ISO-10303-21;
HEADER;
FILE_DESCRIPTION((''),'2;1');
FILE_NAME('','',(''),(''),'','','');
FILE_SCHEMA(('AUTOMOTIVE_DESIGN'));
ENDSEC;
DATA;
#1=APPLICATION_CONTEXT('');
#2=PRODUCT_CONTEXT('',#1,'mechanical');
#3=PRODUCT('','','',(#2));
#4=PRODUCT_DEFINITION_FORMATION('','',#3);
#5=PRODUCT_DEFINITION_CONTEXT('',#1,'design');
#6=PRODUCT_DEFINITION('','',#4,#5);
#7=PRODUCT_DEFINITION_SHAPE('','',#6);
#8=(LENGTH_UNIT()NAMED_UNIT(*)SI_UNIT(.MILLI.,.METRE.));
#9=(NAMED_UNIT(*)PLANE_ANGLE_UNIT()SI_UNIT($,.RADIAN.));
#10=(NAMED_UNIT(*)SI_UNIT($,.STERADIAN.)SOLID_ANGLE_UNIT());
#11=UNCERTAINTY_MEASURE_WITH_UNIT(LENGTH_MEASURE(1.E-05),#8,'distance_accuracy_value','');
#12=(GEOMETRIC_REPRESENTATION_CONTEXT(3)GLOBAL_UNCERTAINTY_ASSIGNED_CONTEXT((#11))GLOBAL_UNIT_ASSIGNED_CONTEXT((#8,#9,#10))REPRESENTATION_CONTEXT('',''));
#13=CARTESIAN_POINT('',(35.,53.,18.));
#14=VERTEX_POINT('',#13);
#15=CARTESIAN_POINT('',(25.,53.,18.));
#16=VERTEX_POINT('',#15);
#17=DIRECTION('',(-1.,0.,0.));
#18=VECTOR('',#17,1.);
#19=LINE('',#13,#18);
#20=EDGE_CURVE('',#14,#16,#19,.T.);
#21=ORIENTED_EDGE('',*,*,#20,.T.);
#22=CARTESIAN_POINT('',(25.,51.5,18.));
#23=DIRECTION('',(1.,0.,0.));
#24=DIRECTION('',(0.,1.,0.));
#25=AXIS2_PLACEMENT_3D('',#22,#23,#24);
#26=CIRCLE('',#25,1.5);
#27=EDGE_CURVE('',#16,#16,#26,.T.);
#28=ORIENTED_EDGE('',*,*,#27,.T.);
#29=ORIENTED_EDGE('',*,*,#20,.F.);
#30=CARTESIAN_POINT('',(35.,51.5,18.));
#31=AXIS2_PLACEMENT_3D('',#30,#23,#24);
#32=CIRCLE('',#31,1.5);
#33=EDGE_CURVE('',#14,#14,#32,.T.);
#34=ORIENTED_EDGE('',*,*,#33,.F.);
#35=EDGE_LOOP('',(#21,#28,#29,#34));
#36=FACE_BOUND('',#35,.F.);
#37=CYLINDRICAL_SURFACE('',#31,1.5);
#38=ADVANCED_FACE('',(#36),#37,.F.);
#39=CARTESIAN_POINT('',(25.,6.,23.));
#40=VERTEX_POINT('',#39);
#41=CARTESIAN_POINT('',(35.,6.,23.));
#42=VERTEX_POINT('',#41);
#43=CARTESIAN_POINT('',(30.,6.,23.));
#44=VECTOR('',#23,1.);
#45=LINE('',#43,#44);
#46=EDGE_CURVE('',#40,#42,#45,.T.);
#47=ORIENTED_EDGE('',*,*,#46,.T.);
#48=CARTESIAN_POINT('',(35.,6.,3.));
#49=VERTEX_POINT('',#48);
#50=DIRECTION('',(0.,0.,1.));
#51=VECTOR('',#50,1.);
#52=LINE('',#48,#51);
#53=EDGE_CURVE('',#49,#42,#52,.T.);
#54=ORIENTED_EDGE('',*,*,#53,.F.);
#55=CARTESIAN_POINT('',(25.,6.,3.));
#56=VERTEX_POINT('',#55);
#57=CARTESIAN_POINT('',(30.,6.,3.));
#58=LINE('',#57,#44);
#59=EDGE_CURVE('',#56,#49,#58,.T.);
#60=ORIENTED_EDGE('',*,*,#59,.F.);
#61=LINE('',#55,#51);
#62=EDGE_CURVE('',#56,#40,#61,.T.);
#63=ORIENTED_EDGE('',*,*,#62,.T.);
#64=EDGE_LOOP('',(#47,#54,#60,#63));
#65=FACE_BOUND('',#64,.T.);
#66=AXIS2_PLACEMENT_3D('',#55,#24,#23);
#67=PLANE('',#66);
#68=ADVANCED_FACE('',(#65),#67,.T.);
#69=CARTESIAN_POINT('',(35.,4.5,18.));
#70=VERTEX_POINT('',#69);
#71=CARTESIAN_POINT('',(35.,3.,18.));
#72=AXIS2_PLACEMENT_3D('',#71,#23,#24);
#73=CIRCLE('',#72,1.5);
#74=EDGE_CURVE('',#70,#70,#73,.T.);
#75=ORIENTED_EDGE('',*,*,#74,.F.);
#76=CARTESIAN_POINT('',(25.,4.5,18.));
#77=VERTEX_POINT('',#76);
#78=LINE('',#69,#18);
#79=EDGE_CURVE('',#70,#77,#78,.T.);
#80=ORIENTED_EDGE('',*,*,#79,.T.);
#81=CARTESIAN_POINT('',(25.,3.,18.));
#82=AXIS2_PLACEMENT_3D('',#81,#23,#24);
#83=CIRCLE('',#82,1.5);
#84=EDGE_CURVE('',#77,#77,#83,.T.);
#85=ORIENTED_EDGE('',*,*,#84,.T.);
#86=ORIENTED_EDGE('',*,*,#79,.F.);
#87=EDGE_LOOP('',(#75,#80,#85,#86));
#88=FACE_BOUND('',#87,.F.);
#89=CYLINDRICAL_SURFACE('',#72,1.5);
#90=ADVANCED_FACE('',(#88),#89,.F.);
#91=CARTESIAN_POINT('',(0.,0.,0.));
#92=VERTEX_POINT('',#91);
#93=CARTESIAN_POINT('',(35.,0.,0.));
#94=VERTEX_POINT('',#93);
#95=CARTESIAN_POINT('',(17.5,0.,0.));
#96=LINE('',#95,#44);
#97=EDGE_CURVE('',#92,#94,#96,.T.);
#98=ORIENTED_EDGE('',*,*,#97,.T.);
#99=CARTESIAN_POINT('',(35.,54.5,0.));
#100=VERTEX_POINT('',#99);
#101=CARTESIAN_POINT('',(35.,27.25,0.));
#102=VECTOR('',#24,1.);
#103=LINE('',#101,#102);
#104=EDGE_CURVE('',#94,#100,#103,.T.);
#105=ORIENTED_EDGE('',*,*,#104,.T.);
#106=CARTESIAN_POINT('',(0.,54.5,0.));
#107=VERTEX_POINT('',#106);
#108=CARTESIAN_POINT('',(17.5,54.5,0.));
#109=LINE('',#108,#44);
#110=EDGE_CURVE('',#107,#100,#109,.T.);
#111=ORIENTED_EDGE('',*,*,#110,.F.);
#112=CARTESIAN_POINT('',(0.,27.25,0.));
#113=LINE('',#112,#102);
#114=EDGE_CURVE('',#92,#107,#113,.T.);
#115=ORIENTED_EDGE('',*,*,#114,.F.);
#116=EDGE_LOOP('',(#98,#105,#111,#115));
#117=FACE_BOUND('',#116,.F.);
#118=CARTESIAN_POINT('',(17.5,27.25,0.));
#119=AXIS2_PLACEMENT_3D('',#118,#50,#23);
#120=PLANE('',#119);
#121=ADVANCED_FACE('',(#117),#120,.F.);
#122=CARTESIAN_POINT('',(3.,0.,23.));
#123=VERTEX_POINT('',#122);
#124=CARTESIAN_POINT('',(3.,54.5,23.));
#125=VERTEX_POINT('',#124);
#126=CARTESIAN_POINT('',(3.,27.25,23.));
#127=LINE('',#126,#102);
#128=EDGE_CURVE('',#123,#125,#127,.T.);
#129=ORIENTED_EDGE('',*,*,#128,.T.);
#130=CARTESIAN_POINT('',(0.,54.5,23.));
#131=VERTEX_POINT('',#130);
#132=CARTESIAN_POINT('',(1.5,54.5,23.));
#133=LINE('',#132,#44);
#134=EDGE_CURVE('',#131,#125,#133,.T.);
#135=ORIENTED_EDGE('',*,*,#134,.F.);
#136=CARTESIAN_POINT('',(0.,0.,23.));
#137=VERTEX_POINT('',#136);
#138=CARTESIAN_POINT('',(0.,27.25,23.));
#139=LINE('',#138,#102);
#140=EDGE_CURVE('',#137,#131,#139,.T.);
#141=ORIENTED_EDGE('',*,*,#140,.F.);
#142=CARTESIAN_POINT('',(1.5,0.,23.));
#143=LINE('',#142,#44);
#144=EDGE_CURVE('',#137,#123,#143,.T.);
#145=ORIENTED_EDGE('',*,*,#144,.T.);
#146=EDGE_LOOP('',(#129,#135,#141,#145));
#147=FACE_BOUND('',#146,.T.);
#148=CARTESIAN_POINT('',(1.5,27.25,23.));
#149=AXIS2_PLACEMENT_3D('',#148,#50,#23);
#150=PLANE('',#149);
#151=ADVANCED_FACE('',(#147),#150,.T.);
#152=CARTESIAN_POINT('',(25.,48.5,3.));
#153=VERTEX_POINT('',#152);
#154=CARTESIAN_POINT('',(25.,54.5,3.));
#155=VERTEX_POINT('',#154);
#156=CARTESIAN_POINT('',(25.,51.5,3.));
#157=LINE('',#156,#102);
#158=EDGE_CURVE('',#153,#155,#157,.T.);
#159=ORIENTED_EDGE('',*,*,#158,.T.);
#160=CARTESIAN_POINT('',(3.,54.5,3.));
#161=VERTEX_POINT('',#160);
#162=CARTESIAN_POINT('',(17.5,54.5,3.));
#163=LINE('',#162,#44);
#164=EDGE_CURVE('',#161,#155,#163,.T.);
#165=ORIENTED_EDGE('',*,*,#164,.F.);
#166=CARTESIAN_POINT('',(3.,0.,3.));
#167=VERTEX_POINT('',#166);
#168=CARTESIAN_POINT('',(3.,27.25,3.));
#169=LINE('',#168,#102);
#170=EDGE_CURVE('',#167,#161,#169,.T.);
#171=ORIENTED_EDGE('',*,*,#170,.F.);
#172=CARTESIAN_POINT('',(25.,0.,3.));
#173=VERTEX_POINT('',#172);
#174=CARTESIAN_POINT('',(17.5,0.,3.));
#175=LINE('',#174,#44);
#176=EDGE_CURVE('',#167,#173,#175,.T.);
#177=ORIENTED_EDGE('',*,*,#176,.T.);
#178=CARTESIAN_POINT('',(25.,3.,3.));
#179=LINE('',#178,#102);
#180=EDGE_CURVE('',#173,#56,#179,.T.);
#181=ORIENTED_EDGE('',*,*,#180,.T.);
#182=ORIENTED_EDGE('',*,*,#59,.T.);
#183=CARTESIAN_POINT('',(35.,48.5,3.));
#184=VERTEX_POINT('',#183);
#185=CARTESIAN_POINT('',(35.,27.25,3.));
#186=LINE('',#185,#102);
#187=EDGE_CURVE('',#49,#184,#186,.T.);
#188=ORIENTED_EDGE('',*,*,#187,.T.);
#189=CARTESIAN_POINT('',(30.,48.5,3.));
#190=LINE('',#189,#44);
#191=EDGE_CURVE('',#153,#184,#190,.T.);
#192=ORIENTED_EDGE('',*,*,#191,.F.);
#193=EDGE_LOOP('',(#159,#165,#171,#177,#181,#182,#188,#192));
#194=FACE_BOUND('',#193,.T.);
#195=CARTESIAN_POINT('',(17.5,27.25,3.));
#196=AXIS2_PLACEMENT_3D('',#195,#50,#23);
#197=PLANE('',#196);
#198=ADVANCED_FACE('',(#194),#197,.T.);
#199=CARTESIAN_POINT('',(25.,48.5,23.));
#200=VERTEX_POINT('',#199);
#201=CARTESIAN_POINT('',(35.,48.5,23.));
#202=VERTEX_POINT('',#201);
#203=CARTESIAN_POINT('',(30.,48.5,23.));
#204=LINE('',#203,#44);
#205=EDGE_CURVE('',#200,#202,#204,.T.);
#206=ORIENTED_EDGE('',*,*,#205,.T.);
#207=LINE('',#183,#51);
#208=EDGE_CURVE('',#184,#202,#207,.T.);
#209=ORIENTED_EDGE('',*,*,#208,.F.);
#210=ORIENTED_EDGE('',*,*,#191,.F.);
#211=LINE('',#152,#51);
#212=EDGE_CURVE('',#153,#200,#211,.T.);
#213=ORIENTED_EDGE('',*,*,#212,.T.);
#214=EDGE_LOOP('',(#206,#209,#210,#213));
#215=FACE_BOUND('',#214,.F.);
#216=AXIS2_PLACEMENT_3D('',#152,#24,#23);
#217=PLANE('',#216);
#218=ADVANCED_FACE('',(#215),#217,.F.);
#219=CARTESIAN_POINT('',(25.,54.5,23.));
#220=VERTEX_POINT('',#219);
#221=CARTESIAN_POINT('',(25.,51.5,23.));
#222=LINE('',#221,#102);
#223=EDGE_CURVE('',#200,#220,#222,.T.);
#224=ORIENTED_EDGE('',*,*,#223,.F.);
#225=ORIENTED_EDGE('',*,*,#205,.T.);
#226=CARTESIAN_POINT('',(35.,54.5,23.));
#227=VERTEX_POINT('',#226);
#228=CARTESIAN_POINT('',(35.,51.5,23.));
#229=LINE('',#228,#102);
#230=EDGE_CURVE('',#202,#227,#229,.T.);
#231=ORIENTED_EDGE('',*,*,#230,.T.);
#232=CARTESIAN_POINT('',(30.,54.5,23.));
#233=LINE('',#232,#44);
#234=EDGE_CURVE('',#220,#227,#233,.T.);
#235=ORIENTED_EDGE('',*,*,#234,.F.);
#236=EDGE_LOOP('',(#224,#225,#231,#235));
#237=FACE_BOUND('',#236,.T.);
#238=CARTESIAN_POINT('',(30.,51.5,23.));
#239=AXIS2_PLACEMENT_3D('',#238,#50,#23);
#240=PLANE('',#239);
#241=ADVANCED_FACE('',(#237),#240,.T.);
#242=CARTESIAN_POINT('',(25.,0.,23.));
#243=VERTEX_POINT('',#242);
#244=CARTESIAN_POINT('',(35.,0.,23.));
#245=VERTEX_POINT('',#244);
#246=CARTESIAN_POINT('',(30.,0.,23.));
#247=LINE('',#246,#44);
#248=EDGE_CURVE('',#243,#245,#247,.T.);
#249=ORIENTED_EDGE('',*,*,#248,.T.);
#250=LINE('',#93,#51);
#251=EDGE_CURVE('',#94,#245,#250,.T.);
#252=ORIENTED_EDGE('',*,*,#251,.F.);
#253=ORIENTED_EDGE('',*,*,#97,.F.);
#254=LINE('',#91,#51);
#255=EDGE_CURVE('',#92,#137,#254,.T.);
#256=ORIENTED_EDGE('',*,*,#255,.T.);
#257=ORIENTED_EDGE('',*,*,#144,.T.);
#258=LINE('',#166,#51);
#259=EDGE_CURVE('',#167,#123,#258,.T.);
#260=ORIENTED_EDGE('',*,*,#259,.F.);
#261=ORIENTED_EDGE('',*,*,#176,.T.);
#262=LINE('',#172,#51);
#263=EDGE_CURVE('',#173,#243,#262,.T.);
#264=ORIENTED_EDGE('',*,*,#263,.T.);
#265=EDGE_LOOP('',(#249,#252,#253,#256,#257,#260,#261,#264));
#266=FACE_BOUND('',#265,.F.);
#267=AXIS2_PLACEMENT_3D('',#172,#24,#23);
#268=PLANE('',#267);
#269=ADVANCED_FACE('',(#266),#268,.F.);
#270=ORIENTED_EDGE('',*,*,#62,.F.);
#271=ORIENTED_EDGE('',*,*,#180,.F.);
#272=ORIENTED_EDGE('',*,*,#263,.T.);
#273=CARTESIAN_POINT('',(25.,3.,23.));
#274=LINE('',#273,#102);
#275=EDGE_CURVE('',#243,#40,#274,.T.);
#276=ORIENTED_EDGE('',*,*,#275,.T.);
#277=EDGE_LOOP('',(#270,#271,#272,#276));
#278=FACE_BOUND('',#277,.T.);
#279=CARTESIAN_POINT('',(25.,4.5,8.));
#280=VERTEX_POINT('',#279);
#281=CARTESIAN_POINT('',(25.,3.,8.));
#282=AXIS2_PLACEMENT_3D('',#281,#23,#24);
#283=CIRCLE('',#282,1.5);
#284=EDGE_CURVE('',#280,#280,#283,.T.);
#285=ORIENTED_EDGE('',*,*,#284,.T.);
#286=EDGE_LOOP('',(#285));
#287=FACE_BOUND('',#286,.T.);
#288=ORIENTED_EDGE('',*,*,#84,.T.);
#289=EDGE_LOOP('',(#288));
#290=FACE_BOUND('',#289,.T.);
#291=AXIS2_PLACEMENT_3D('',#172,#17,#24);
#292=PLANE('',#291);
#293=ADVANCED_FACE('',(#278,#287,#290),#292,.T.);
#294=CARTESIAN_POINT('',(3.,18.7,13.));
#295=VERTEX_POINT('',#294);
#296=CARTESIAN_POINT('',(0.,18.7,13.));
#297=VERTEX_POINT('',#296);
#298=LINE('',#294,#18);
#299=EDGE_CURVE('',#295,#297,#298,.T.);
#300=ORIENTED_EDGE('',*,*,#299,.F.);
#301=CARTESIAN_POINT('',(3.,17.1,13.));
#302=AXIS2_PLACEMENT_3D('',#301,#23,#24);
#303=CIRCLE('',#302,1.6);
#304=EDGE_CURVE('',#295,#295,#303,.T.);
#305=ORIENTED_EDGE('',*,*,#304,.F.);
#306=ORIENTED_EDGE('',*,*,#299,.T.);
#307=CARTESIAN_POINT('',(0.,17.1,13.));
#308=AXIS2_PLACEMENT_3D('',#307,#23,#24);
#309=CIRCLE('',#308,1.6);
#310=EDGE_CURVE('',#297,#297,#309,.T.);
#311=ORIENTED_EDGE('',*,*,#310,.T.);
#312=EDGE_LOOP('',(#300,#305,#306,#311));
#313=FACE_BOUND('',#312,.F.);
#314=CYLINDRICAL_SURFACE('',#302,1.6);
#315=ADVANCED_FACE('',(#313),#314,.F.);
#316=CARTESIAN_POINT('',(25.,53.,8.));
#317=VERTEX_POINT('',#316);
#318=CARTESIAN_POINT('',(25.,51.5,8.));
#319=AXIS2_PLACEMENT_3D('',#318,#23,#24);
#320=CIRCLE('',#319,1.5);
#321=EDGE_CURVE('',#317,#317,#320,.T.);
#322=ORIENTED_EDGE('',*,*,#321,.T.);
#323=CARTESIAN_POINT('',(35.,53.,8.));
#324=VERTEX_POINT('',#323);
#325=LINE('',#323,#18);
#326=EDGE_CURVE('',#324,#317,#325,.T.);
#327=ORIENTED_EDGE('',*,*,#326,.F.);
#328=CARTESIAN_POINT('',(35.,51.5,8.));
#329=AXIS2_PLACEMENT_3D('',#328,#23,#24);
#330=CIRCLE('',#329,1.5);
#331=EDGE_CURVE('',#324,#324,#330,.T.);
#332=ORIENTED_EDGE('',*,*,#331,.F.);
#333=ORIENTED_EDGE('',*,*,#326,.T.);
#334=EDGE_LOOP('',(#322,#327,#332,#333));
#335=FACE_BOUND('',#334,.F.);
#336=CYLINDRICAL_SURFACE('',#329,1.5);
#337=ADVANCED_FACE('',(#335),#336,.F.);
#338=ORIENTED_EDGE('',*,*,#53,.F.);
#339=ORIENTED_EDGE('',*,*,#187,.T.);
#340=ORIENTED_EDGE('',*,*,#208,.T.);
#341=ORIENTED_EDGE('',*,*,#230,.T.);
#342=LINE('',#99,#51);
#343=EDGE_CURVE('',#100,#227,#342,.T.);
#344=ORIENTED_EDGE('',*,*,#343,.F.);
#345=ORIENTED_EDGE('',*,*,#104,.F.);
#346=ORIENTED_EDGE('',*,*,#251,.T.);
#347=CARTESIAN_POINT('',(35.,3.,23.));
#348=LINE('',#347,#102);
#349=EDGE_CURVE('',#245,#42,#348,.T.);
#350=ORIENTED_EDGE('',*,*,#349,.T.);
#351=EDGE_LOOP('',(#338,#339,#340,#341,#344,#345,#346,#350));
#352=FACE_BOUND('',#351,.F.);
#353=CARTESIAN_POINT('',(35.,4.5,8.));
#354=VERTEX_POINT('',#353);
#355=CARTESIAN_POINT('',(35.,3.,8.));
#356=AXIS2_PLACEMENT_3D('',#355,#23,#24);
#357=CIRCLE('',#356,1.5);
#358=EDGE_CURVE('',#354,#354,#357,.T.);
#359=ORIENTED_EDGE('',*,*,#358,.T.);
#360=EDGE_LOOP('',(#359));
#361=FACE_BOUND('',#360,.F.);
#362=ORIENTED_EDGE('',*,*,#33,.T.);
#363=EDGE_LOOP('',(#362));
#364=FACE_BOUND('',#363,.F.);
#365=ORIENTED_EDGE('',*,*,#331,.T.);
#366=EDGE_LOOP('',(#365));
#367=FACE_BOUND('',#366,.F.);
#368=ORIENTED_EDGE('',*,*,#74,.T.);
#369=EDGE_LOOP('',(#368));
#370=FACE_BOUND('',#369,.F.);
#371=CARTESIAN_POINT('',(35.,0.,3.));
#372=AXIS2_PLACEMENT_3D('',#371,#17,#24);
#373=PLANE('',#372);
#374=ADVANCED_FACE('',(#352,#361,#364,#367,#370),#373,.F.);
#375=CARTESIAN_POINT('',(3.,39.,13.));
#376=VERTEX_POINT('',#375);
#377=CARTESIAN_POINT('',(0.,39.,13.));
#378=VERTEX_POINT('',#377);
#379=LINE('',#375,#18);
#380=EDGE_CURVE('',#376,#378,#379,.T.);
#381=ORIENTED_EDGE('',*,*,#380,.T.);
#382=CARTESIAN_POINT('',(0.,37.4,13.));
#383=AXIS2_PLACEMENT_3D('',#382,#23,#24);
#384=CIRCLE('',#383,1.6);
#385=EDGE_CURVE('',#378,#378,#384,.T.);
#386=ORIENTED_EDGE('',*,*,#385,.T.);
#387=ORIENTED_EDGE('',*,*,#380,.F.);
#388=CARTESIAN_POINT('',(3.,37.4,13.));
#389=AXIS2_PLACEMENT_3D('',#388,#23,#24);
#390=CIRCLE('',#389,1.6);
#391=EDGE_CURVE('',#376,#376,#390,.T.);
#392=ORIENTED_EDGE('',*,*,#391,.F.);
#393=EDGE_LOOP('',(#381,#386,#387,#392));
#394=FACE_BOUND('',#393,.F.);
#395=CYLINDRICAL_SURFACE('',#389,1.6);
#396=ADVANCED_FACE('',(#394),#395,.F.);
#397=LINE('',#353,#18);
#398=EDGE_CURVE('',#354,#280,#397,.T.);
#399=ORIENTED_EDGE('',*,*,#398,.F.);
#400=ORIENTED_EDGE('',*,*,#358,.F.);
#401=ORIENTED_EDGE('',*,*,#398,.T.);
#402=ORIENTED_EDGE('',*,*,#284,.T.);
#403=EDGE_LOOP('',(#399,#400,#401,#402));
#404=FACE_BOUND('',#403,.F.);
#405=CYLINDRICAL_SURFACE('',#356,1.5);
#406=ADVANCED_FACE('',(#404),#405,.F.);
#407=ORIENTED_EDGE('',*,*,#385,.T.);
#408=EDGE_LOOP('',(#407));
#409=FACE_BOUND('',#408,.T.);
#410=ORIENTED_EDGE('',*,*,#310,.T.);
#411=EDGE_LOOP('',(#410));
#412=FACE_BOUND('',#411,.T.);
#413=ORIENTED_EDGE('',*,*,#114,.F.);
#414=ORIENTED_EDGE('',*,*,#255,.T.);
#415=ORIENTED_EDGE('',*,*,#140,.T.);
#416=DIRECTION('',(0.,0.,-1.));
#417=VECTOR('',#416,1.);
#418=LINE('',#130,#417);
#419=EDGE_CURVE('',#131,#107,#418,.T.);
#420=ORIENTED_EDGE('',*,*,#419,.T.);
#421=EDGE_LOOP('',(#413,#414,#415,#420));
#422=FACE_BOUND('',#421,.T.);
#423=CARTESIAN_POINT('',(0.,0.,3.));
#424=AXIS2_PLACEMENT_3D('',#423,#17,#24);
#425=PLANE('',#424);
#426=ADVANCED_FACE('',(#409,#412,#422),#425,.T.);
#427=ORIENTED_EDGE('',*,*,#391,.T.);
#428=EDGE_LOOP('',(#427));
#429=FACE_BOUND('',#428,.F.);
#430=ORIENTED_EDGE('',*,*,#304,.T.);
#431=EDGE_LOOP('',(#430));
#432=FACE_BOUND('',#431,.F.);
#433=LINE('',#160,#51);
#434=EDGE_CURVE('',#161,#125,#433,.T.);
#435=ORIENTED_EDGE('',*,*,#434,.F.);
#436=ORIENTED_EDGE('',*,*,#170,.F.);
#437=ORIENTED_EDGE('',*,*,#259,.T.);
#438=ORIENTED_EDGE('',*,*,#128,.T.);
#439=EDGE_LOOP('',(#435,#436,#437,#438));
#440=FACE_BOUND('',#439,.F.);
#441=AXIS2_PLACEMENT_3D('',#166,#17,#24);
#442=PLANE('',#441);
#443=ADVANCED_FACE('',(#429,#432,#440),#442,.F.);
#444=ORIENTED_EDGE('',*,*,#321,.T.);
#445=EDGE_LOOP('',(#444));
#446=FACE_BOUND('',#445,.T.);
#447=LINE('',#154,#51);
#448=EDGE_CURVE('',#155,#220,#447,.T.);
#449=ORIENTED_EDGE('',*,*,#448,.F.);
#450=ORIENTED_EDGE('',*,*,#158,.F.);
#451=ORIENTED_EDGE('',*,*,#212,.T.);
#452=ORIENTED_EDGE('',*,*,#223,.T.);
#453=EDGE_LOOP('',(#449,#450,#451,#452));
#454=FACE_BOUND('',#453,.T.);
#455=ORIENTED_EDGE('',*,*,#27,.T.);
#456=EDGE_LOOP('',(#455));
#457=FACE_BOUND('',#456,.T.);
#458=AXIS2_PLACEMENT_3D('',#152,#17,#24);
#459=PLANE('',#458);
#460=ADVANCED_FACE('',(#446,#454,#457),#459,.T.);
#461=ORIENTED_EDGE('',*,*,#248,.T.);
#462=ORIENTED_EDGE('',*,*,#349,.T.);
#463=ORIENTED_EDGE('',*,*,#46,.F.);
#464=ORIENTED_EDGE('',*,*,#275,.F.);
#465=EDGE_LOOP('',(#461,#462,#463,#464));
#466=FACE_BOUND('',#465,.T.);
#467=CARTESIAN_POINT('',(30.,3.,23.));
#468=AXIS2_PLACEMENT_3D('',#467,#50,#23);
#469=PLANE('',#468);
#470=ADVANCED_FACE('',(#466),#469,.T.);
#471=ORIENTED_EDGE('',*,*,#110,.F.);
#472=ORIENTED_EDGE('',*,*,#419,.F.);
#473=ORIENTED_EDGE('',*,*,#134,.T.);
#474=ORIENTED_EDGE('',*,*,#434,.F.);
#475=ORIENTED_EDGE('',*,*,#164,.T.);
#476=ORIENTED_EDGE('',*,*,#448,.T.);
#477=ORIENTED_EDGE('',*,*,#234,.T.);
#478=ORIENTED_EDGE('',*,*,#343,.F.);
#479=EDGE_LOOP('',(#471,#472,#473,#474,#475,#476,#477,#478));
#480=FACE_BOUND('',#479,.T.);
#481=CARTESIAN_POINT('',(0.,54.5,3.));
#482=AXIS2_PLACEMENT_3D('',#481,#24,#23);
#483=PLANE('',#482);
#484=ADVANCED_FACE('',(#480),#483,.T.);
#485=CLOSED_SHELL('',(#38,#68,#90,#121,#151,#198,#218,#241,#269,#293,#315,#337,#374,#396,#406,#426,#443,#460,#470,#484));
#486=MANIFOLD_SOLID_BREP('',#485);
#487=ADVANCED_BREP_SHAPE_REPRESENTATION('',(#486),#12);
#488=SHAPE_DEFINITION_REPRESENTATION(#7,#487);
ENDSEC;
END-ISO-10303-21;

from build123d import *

# Parameters (mm, degrees)
SKETCH_W        = 35
SKETCH_H        = 54.5
PAD_DEPTH       = 3
SKETCH001_W     = 3
SKETCH001_H     = 54.5
PAD001_DEPTH    = 20
SKETCH002_W     = 10
SKETCH002_H     = 6
PAD002_DEPTH    = 20
SKETCH003_R     = 1.5
POCKET_DEPTH    = 11
SKETCH004_R     = 1.6
POCKET001_DEPTH = 5


with BuildPart() as part:
    # Sketch → Pad (new body)
    with BuildSketch(Plane.XY):
        with Locations((17.5, 27.25)):
            Rectangle(SKETCH_W, SKETCH_H)
    extrude(amount=PAD_DEPTH)

    # Sketch001 (on Face6 of Pad) → Pad001 (join)
    with BuildSketch(Plane.XY.offset(3)):
        with Locations((1.5, 27.25)):
            Rectangle(SKETCH001_W, SKETCH001_H)
    extrude(amount=PAD001_DEPTH)

    # Sketch002 (on Face6 of Pad001) → Pad002 (join)
    with BuildSketch(Plane.XY.offset(3)):
        with Locations((30, 3)):
            Rectangle(SKETCH002_W, SKETCH002_H)
        with Locations((30, 51.5)):
            Rectangle(SKETCH002_W, SKETCH002_H)
    extrude(amount=PAD002_DEPTH)

    # Sketch003 (on Face11 of Pad002) → Pocket (cut)
    with BuildSketch(Plane.YZ.offset(35)):
        with Locations((3, 18)):
            Circle(SKETCH003_R)
        with Locations((3, 8)):
            Circle(SKETCH003_R)
        with Locations((51.5, 18)):
            Circle(SKETCH003_R)
        with Locations((51.5, 8)):
            Circle(SKETCH003_R)
    extrude(amount=-POCKET_DEPTH, mode=Mode.SUBTRACT)

    # Sketch004 (on Face12 of Pocket) → Pocket001 (cut)
    with BuildSketch(Plane.YZ.offset(3)):
        with Locations((17.1, 13)):
            Circle(SKETCH004_R)
        with Locations((37.4, 13)):
            Circle(SKETCH004_R)
    extrude(amount=-POCKET001_DEPTH, mode=Mode.SUBTRACT)


solid = part.part
